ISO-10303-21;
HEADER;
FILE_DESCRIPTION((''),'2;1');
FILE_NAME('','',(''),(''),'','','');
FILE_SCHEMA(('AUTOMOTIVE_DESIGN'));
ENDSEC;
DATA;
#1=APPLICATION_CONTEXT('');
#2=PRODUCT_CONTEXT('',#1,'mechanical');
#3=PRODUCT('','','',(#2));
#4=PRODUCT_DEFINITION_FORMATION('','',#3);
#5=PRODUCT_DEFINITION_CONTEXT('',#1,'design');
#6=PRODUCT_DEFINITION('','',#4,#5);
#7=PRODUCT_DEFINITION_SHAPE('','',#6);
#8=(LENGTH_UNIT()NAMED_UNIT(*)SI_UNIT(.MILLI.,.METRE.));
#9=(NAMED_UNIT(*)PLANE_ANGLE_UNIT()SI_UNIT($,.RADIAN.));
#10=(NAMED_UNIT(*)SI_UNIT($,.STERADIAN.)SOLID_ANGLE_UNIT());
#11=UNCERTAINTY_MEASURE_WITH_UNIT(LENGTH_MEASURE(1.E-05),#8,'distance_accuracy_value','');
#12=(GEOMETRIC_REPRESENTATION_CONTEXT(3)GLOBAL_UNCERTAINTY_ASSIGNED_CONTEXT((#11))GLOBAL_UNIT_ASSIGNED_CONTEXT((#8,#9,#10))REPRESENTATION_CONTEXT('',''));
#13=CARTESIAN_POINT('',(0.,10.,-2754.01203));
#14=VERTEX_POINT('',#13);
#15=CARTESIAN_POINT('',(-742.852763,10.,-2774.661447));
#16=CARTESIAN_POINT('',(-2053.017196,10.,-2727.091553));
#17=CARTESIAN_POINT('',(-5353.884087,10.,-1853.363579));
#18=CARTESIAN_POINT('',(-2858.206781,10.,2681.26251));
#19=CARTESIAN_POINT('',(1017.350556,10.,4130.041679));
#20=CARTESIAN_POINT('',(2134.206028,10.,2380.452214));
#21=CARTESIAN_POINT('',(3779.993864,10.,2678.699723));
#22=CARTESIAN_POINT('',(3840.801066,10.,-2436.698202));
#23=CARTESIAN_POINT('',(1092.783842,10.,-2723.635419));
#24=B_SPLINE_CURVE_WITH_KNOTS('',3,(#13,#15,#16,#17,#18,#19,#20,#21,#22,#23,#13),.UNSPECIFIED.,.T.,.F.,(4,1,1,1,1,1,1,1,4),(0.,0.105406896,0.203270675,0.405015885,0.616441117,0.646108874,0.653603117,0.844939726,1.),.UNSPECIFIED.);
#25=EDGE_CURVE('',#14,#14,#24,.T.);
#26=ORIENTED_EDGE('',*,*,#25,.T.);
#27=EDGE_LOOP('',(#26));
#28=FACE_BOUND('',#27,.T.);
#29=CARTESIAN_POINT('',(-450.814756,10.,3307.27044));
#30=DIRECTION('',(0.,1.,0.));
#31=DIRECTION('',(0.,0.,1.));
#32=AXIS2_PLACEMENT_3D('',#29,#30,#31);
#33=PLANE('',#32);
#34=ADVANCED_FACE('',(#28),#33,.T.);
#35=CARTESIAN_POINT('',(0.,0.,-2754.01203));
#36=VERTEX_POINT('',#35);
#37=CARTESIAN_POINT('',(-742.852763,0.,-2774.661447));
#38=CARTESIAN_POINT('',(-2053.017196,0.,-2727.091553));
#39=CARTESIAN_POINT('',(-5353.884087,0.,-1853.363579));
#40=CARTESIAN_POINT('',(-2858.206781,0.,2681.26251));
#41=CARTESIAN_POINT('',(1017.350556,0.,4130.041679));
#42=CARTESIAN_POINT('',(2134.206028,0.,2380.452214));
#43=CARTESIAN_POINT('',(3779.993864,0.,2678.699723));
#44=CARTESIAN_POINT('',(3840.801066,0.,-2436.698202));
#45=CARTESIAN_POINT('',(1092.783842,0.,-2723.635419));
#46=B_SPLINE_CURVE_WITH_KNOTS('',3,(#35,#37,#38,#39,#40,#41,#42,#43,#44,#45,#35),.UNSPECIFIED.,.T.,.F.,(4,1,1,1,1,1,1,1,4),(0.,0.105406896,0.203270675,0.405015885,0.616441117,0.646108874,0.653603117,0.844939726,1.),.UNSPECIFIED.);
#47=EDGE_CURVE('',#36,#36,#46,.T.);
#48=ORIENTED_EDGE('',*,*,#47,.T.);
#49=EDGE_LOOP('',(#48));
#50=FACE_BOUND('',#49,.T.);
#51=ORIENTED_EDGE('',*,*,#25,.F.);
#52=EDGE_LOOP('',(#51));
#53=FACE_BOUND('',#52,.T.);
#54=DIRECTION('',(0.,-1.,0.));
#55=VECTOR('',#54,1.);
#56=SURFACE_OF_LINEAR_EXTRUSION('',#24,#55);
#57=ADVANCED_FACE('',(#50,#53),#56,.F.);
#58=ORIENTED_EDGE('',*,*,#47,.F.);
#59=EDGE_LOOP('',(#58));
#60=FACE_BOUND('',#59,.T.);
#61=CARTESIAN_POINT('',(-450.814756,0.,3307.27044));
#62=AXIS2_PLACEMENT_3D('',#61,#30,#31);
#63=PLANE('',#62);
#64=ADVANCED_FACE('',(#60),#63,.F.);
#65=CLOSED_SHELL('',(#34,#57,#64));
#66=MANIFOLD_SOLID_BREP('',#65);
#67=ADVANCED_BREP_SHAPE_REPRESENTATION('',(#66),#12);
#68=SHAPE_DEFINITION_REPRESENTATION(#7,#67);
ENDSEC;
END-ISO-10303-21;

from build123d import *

# Parameters (mm, degrees)
EXTRUDE_1_DEPTH = 10


with BuildPart() as part:
    # 草图1 → 凸台-拉伸1 (new body)
    with BuildSketch(Plane(origin=(0, 0, 0), x_dir=(1, 0, 0), z_dir=(0, 1, 0))):
        with BuildLine():
            add(Edge.make_bspline(
                [(0, 2754.012029644), (1092.783841735, 2723.635418634), (3840.801065666, 2436.698202049), (3779.993864305, -2678.699722511), (2134.206027785, -2380.452213673), (1017.350556237, -4130.041678539), (-2858.206780519, -2681.262509628), (-5353.884086776, 1853.363578645), (-2053.017195884, 2727.091553331), (-742.852763111, 2774.661446812), (0, 2754.012029644)],
                knots=[0, 0, 0, 0, 0.155060274, 0.346396883, 0.353891126, 0.383558883, 0.594984115, 0.796729325, 0.894593104, 1, 1, 1, 1], degree=3))
        make_face()
    extrude(amount=EXTRUDE_1_DEPTH)


solid = part.part
